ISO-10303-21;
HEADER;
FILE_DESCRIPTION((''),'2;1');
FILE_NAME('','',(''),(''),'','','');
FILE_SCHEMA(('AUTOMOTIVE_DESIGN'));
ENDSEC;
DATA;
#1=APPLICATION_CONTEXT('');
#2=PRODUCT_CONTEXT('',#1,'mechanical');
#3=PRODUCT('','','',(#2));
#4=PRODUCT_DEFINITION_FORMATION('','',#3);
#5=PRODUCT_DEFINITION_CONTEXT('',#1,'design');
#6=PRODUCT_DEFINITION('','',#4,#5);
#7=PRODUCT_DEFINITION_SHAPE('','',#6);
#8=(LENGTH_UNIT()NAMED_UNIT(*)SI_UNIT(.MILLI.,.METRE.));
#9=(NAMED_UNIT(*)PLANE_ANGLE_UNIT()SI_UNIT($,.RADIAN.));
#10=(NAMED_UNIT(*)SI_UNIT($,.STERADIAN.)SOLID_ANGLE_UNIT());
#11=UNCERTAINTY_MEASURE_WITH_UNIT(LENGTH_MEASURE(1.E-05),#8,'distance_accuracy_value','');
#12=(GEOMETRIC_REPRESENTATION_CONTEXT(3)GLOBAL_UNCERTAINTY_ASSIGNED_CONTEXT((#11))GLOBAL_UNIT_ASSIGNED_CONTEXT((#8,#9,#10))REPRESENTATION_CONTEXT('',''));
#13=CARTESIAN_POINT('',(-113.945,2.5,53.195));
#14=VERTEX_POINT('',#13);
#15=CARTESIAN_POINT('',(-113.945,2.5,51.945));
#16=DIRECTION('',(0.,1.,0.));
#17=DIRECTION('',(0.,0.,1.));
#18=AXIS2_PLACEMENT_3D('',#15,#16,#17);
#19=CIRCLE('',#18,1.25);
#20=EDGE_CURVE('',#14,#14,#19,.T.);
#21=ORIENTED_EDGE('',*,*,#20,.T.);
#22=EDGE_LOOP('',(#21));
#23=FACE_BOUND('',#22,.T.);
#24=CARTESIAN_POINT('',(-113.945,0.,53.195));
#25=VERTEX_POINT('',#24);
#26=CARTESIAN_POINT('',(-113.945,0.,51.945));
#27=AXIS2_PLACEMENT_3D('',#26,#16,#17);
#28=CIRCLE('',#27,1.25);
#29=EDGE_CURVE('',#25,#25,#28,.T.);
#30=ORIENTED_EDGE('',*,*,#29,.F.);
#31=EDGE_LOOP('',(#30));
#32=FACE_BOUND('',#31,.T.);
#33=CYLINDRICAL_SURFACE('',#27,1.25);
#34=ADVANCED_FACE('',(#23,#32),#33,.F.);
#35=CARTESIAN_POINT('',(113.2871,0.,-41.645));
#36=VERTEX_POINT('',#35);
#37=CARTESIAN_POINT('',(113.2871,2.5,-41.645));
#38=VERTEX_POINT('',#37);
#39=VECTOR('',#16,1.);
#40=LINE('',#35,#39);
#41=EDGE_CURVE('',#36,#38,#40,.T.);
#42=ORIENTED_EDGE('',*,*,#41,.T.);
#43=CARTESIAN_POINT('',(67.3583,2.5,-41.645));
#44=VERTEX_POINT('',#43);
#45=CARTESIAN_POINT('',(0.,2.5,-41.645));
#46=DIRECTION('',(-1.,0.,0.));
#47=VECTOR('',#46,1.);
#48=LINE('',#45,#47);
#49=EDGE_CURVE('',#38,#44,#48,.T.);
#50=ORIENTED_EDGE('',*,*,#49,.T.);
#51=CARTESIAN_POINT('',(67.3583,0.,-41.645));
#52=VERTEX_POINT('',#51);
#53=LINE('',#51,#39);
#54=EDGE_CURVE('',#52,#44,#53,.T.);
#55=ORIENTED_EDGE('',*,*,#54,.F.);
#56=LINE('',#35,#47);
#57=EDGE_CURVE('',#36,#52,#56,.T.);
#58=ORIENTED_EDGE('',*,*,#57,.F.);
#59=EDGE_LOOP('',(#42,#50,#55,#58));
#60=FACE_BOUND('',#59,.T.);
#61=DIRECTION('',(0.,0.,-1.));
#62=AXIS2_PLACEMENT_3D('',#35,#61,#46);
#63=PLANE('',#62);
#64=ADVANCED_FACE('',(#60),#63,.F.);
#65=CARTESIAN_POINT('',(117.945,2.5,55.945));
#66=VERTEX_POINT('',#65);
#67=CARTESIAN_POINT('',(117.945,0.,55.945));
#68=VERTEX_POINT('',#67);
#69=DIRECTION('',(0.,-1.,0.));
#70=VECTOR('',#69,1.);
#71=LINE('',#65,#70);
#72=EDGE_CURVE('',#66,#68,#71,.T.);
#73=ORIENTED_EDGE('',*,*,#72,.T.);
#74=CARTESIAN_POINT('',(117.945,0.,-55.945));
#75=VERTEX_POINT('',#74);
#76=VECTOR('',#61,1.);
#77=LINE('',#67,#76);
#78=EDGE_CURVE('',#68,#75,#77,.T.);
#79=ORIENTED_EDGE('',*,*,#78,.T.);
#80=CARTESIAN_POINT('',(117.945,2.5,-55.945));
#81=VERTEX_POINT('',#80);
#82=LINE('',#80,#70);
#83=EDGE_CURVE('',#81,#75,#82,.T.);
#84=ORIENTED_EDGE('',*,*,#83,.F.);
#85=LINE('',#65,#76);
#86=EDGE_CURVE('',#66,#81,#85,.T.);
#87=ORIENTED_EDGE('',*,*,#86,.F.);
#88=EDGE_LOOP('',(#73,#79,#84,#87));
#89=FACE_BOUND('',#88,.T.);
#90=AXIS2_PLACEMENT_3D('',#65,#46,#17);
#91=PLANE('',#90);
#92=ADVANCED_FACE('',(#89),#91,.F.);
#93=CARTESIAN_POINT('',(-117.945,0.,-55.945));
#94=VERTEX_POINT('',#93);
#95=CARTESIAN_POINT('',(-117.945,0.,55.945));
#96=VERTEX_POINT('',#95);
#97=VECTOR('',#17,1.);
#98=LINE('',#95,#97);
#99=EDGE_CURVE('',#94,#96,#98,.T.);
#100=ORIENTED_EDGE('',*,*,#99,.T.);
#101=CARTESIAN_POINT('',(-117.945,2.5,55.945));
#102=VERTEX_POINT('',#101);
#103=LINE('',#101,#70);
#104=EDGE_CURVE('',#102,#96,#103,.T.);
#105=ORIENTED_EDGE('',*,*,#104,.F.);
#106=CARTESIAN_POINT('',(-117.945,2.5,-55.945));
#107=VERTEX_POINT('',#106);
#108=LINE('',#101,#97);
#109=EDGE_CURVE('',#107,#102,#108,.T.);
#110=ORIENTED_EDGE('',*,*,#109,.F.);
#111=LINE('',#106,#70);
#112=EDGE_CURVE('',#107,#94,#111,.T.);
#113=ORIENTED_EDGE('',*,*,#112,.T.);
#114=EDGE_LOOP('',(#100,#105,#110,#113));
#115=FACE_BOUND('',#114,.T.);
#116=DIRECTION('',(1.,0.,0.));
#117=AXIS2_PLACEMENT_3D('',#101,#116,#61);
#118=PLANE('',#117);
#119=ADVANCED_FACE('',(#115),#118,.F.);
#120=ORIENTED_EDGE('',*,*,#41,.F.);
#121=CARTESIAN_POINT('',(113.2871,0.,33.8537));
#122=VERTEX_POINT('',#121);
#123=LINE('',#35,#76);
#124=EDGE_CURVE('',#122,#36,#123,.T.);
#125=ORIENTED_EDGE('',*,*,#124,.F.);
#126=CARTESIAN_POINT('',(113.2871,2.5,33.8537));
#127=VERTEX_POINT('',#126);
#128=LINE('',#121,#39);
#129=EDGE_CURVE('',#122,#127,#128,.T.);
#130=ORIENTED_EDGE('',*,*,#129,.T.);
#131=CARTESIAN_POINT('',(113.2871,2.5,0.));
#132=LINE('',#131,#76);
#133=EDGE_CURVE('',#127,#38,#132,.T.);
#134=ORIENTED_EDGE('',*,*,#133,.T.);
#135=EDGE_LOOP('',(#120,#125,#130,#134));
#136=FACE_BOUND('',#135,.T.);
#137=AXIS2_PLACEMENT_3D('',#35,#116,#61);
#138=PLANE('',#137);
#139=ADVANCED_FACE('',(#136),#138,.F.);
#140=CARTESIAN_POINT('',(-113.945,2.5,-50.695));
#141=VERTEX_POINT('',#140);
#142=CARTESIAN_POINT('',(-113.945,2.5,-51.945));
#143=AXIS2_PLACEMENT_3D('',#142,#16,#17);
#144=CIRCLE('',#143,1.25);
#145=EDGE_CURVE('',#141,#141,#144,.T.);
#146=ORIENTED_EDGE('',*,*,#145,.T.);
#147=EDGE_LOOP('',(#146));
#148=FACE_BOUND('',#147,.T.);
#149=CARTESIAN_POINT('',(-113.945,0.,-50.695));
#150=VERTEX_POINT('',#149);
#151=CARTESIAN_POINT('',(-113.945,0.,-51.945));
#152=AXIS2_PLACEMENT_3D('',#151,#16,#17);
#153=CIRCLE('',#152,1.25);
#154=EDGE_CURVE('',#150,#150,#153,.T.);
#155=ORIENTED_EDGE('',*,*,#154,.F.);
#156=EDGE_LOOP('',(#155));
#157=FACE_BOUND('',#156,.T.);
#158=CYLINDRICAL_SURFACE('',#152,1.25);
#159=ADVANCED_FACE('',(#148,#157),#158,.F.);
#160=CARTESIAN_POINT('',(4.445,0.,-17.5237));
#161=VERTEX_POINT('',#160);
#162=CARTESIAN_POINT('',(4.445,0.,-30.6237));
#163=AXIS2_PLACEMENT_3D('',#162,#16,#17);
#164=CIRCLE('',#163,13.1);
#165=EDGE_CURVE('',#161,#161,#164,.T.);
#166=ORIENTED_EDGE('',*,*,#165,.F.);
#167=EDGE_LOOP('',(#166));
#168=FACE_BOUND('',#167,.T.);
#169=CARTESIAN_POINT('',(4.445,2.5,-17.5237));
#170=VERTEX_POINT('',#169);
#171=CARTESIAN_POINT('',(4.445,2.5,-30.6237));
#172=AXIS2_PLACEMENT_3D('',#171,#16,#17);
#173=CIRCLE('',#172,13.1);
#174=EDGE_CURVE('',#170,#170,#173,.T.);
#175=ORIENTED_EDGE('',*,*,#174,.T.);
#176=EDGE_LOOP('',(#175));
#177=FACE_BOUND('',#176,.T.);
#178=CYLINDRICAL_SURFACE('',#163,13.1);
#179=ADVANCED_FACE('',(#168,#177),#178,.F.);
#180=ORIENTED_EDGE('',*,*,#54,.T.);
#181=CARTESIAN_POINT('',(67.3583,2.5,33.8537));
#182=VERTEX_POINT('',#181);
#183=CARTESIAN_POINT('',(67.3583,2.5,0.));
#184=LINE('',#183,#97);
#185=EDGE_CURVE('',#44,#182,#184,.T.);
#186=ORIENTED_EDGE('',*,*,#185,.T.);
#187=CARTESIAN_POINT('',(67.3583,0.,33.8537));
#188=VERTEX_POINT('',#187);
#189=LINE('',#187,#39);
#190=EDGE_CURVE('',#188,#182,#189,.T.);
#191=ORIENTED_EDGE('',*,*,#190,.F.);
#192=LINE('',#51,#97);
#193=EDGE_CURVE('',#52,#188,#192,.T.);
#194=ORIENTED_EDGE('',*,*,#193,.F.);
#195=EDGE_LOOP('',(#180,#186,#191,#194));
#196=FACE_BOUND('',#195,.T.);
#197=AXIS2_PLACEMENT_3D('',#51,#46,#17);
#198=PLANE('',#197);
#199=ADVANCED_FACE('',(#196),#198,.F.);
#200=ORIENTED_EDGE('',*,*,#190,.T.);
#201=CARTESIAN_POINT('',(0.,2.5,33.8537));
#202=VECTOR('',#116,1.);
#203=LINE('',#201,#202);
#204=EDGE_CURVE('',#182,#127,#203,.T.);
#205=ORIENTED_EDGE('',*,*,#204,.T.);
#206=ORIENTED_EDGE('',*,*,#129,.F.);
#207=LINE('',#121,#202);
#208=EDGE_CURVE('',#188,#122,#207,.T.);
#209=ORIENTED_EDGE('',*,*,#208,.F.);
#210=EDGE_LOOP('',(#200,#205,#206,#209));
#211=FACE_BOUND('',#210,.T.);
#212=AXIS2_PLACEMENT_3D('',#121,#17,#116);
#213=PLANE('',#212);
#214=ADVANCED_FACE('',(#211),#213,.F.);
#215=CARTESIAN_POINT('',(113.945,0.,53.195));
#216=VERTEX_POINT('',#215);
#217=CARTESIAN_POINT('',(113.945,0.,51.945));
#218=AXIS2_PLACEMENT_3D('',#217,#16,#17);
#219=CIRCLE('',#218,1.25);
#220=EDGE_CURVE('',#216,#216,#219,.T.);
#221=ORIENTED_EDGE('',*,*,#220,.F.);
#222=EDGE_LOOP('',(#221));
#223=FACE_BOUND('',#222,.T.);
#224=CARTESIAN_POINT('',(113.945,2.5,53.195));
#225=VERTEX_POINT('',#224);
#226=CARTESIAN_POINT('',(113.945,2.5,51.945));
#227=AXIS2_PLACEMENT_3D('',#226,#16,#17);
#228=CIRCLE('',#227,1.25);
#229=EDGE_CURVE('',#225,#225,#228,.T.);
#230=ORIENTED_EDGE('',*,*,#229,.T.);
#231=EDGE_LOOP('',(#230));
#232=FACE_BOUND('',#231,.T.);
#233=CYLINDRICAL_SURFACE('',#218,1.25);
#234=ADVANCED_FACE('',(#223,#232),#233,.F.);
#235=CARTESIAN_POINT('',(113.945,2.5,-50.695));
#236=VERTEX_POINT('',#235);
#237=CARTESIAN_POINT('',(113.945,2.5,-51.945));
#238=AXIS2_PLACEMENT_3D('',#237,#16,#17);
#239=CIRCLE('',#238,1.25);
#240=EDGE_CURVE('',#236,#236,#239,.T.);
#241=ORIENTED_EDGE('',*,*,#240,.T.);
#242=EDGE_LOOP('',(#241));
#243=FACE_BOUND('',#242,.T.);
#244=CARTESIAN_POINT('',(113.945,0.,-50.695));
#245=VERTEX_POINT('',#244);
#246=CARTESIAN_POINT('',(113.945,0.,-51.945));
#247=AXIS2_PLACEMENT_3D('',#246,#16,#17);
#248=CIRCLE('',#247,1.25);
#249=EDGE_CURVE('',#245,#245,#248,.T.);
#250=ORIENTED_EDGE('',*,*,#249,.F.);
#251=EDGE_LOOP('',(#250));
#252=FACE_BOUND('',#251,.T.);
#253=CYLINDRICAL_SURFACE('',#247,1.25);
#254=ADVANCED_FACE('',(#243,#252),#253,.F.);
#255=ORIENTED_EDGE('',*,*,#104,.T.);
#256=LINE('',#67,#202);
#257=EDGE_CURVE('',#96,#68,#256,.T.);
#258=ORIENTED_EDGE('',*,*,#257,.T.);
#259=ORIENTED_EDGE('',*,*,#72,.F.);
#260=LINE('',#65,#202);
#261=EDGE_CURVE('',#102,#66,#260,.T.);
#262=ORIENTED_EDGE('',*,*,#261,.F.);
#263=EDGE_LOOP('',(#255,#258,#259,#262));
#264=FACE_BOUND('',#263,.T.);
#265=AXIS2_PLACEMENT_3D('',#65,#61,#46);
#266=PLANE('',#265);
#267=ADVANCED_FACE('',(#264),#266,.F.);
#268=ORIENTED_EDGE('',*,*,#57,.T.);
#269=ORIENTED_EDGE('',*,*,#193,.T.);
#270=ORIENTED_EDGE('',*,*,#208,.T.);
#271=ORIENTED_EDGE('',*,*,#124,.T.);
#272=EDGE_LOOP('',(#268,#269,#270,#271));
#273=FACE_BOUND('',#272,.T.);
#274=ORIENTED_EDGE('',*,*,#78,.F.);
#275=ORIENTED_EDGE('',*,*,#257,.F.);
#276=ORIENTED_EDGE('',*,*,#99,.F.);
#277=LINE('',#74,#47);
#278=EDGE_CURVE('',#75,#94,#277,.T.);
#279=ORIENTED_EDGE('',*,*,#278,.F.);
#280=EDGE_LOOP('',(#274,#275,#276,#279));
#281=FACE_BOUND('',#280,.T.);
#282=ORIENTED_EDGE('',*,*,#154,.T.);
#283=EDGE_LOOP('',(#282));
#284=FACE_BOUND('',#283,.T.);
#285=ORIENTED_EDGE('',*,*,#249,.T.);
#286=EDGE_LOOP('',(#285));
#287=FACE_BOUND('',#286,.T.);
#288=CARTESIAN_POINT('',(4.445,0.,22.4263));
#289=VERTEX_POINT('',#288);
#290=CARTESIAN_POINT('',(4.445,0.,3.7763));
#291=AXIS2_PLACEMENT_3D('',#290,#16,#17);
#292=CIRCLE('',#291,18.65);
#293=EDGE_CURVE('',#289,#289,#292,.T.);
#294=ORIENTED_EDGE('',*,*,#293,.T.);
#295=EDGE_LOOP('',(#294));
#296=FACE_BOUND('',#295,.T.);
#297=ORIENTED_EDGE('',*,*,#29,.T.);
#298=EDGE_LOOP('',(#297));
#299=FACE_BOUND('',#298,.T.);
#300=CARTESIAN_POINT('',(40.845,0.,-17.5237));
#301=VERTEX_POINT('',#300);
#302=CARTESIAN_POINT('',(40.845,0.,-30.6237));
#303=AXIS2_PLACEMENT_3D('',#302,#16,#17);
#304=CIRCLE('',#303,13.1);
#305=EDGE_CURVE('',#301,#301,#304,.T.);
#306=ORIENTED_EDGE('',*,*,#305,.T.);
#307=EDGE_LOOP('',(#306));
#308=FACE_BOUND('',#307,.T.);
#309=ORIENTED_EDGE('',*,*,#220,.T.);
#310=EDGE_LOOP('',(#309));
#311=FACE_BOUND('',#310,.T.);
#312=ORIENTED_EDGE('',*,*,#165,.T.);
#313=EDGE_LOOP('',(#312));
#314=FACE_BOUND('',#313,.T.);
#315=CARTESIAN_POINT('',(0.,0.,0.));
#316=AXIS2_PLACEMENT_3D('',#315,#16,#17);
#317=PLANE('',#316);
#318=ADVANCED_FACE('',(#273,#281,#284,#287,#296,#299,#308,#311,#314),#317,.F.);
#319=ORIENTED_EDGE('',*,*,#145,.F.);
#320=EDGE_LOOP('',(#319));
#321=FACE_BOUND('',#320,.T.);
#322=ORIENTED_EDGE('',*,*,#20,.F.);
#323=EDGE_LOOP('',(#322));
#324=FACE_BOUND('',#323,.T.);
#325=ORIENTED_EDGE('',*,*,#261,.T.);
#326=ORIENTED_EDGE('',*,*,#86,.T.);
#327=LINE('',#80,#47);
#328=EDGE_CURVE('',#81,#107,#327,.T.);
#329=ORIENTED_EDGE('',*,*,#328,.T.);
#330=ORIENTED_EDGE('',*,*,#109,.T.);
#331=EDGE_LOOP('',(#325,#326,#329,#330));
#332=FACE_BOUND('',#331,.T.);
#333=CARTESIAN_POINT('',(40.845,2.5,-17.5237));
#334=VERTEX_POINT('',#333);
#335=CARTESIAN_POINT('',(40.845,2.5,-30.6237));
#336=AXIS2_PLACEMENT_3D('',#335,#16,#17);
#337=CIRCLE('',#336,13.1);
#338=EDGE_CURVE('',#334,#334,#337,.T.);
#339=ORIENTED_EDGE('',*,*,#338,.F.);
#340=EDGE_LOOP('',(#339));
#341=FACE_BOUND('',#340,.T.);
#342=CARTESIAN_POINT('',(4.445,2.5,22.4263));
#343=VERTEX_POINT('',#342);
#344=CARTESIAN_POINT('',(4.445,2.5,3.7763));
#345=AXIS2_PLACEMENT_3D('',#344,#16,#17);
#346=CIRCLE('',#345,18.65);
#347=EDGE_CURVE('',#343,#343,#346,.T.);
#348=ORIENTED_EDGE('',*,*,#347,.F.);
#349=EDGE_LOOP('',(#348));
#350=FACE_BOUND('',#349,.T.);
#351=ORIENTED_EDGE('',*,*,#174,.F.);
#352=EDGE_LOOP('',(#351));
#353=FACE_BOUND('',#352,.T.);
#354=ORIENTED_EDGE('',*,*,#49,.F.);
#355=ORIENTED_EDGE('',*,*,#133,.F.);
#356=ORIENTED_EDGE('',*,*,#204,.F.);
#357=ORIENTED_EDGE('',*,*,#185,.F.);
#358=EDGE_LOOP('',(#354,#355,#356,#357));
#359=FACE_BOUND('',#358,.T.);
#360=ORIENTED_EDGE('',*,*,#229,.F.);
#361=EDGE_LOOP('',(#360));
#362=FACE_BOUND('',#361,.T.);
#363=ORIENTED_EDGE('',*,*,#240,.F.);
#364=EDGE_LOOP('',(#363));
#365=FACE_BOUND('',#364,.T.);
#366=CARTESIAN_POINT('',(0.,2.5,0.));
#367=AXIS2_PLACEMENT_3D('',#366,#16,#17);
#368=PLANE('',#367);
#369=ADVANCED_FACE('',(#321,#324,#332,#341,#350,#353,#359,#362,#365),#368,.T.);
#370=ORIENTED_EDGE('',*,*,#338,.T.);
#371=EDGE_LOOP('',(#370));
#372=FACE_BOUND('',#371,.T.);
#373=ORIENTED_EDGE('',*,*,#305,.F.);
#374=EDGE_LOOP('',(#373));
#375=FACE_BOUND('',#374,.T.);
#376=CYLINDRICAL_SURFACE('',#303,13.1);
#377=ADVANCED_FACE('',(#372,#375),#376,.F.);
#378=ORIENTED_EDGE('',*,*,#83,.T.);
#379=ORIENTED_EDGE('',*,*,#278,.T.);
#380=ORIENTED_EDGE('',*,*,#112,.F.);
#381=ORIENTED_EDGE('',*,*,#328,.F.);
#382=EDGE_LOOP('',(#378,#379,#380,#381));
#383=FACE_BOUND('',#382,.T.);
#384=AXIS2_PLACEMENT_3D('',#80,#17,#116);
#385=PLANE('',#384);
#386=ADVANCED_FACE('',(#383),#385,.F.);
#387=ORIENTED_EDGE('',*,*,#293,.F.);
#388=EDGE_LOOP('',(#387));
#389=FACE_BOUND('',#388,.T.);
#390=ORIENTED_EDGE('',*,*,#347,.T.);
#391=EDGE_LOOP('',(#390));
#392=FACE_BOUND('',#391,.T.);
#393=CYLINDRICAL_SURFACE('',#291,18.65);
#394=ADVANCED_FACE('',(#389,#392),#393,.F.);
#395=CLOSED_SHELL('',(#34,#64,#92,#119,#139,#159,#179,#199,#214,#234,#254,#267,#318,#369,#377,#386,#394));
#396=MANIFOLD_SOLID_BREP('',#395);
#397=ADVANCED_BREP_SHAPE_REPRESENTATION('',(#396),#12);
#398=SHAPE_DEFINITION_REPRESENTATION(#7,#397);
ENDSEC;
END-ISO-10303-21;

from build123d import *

# Parameters (mm, degrees)
SKETCH2_W               = 235.89
SKETCH2_H               = 111.89
BOSS_EXTRUDE1_DEPTH     = 2.5
SKETCH3_R               = 1.25
CUT_EXTRUDE1_DEPTH      = 131.56460489
CUT_EXTRUDE2_DEPTH      = 131.56460489
CUT_EXTRUDE2_DEPTH_BACK = 131.56460489
SKETCH4_R               = 13.1
SKETCH4_R_2             = 18.65
SKETCH4_W               = 45.9288
SKETCH4_H               = 75.4987


with BuildPart() as part:
    # Sketch2 → Boss-Extrude1 (new body)
    with BuildSketch(Plane(origin=(0, 0, 0), x_dir=(1, 0, 0), z_dir=(0, 1, 0))):
        Rectangle(SKETCH2_W, SKETCH2_H)
    extrude(amount=BOSS_EXTRUDE1_DEPTH)

    # Sketch3 → Cut-Extrude1 (cut, through all)
    with BuildSketch(Plane(origin=(0, 2.5, 0), x_dir=(1, 0, 0), z_dir=(0, 1, 0))):
        with Locations(Location((-113.945, 51.945, 0), (0, 0, 270))):
            Circle(SKETCH3_R)
        with Locations(Location((-113.945, -51.945, 0), (0, 0, 270))):
            Circle(SKETCH3_R)
        with Locations(Location((113.945, -51.945, 0), (0, 0, 270))):
            Circle(SKETCH3_R)
        with Locations(Location((113.945, 51.945, 0), (0, 0, 270))):
            Circle(SKETCH3_R)
    extrude(amount=-CUT_EXTRUDE1_DEPTH, mode=Mode.SUBTRACT)

    # Sketch4 → Cut-Extrude2 (cut, two sides: drawn at the far end of the back side and taken through both)
    with BuildSketch(Plane(origin=(0, 2.5, 0), x_dir=(1, 0, 0), z_dir=(0, 1, 0)).offset(-CUT_EXTRUDE2_DEPTH_BACK)):
        with Locations(Location((40.845, 30.6237, 0), (0, 0, 270))):
            Circle(SKETCH4_R)
        with Locations(Location((4.445, 30.6237, 0), (0, 0, 270))):
            Circle(SKETCH4_R)
        with Locations(Location((4.445, -3.7763, 0), (0, 0, 270))):
            Circle(SKETCH4_R_2)
        with Locations((90.3227, 3.89565)):
            Rectangle(SKETCH4_W, SKETCH4_H)
    extrude(amount=CUT_EXTRUDE2_DEPTH + CUT_EXTRUDE2_DEPTH_BACK, mode=Mode.SUBTRACT)


solid = part.part
